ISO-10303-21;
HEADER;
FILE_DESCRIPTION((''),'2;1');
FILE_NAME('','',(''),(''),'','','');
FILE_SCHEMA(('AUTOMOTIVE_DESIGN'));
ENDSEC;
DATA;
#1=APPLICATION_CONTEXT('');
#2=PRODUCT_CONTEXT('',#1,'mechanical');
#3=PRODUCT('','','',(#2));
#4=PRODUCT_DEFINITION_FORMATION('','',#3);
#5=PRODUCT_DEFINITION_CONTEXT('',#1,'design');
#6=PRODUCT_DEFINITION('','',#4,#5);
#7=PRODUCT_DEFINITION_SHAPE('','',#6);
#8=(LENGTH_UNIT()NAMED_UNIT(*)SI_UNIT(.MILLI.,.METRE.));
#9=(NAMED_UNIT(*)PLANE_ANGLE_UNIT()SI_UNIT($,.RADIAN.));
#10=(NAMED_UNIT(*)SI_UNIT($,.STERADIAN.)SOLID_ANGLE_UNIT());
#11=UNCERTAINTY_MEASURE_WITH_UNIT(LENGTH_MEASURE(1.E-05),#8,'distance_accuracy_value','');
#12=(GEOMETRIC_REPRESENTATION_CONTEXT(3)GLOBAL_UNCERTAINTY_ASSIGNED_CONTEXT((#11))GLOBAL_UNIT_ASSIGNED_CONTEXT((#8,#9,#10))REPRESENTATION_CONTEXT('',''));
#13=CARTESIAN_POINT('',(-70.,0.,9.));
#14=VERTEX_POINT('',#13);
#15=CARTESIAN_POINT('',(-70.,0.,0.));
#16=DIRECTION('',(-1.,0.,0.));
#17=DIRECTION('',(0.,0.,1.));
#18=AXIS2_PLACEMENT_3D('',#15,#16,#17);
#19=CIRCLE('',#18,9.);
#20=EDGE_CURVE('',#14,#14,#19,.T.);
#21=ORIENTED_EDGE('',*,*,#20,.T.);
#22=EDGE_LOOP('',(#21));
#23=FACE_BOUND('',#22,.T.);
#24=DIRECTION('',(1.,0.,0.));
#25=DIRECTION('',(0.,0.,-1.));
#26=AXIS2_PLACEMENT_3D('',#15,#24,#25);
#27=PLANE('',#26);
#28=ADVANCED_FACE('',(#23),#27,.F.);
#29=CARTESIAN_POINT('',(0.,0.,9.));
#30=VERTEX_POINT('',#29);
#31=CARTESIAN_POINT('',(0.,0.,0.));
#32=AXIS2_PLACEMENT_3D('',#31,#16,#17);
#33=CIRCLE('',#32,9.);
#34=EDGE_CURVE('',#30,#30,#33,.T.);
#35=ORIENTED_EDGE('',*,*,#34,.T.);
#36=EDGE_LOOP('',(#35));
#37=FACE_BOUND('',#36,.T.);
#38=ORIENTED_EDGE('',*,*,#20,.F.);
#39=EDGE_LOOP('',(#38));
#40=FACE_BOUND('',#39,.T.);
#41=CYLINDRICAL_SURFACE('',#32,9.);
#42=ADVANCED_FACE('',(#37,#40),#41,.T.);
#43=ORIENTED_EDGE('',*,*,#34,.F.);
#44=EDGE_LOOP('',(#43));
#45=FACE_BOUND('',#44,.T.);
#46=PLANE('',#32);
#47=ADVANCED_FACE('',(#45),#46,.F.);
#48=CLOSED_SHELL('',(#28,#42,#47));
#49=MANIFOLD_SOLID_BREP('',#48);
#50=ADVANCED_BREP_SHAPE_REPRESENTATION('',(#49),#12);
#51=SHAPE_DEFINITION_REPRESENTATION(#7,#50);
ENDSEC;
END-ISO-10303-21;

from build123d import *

# Parameters (mm, degrees)
SKETCH1_W = 70
SKETCH1_H = 9


with BuildPart() as part:
    # Sketch1 → Revolve1 (revolve)
    with BuildSketch(Plane.XY, mode=Mode.PRIVATE) as revolve1_sk:
        with Locations((-35, 4.5)):
            Rectangle(SKETCH1_W, SKETCH1_H)
    revolve(revolve1_sk.sketch.rotate(Axis((0, 0, 0), (1, 0, 0)), 90), axis=Axis((0, 0, 0), (1, 0, 0)))


solid = part.part
